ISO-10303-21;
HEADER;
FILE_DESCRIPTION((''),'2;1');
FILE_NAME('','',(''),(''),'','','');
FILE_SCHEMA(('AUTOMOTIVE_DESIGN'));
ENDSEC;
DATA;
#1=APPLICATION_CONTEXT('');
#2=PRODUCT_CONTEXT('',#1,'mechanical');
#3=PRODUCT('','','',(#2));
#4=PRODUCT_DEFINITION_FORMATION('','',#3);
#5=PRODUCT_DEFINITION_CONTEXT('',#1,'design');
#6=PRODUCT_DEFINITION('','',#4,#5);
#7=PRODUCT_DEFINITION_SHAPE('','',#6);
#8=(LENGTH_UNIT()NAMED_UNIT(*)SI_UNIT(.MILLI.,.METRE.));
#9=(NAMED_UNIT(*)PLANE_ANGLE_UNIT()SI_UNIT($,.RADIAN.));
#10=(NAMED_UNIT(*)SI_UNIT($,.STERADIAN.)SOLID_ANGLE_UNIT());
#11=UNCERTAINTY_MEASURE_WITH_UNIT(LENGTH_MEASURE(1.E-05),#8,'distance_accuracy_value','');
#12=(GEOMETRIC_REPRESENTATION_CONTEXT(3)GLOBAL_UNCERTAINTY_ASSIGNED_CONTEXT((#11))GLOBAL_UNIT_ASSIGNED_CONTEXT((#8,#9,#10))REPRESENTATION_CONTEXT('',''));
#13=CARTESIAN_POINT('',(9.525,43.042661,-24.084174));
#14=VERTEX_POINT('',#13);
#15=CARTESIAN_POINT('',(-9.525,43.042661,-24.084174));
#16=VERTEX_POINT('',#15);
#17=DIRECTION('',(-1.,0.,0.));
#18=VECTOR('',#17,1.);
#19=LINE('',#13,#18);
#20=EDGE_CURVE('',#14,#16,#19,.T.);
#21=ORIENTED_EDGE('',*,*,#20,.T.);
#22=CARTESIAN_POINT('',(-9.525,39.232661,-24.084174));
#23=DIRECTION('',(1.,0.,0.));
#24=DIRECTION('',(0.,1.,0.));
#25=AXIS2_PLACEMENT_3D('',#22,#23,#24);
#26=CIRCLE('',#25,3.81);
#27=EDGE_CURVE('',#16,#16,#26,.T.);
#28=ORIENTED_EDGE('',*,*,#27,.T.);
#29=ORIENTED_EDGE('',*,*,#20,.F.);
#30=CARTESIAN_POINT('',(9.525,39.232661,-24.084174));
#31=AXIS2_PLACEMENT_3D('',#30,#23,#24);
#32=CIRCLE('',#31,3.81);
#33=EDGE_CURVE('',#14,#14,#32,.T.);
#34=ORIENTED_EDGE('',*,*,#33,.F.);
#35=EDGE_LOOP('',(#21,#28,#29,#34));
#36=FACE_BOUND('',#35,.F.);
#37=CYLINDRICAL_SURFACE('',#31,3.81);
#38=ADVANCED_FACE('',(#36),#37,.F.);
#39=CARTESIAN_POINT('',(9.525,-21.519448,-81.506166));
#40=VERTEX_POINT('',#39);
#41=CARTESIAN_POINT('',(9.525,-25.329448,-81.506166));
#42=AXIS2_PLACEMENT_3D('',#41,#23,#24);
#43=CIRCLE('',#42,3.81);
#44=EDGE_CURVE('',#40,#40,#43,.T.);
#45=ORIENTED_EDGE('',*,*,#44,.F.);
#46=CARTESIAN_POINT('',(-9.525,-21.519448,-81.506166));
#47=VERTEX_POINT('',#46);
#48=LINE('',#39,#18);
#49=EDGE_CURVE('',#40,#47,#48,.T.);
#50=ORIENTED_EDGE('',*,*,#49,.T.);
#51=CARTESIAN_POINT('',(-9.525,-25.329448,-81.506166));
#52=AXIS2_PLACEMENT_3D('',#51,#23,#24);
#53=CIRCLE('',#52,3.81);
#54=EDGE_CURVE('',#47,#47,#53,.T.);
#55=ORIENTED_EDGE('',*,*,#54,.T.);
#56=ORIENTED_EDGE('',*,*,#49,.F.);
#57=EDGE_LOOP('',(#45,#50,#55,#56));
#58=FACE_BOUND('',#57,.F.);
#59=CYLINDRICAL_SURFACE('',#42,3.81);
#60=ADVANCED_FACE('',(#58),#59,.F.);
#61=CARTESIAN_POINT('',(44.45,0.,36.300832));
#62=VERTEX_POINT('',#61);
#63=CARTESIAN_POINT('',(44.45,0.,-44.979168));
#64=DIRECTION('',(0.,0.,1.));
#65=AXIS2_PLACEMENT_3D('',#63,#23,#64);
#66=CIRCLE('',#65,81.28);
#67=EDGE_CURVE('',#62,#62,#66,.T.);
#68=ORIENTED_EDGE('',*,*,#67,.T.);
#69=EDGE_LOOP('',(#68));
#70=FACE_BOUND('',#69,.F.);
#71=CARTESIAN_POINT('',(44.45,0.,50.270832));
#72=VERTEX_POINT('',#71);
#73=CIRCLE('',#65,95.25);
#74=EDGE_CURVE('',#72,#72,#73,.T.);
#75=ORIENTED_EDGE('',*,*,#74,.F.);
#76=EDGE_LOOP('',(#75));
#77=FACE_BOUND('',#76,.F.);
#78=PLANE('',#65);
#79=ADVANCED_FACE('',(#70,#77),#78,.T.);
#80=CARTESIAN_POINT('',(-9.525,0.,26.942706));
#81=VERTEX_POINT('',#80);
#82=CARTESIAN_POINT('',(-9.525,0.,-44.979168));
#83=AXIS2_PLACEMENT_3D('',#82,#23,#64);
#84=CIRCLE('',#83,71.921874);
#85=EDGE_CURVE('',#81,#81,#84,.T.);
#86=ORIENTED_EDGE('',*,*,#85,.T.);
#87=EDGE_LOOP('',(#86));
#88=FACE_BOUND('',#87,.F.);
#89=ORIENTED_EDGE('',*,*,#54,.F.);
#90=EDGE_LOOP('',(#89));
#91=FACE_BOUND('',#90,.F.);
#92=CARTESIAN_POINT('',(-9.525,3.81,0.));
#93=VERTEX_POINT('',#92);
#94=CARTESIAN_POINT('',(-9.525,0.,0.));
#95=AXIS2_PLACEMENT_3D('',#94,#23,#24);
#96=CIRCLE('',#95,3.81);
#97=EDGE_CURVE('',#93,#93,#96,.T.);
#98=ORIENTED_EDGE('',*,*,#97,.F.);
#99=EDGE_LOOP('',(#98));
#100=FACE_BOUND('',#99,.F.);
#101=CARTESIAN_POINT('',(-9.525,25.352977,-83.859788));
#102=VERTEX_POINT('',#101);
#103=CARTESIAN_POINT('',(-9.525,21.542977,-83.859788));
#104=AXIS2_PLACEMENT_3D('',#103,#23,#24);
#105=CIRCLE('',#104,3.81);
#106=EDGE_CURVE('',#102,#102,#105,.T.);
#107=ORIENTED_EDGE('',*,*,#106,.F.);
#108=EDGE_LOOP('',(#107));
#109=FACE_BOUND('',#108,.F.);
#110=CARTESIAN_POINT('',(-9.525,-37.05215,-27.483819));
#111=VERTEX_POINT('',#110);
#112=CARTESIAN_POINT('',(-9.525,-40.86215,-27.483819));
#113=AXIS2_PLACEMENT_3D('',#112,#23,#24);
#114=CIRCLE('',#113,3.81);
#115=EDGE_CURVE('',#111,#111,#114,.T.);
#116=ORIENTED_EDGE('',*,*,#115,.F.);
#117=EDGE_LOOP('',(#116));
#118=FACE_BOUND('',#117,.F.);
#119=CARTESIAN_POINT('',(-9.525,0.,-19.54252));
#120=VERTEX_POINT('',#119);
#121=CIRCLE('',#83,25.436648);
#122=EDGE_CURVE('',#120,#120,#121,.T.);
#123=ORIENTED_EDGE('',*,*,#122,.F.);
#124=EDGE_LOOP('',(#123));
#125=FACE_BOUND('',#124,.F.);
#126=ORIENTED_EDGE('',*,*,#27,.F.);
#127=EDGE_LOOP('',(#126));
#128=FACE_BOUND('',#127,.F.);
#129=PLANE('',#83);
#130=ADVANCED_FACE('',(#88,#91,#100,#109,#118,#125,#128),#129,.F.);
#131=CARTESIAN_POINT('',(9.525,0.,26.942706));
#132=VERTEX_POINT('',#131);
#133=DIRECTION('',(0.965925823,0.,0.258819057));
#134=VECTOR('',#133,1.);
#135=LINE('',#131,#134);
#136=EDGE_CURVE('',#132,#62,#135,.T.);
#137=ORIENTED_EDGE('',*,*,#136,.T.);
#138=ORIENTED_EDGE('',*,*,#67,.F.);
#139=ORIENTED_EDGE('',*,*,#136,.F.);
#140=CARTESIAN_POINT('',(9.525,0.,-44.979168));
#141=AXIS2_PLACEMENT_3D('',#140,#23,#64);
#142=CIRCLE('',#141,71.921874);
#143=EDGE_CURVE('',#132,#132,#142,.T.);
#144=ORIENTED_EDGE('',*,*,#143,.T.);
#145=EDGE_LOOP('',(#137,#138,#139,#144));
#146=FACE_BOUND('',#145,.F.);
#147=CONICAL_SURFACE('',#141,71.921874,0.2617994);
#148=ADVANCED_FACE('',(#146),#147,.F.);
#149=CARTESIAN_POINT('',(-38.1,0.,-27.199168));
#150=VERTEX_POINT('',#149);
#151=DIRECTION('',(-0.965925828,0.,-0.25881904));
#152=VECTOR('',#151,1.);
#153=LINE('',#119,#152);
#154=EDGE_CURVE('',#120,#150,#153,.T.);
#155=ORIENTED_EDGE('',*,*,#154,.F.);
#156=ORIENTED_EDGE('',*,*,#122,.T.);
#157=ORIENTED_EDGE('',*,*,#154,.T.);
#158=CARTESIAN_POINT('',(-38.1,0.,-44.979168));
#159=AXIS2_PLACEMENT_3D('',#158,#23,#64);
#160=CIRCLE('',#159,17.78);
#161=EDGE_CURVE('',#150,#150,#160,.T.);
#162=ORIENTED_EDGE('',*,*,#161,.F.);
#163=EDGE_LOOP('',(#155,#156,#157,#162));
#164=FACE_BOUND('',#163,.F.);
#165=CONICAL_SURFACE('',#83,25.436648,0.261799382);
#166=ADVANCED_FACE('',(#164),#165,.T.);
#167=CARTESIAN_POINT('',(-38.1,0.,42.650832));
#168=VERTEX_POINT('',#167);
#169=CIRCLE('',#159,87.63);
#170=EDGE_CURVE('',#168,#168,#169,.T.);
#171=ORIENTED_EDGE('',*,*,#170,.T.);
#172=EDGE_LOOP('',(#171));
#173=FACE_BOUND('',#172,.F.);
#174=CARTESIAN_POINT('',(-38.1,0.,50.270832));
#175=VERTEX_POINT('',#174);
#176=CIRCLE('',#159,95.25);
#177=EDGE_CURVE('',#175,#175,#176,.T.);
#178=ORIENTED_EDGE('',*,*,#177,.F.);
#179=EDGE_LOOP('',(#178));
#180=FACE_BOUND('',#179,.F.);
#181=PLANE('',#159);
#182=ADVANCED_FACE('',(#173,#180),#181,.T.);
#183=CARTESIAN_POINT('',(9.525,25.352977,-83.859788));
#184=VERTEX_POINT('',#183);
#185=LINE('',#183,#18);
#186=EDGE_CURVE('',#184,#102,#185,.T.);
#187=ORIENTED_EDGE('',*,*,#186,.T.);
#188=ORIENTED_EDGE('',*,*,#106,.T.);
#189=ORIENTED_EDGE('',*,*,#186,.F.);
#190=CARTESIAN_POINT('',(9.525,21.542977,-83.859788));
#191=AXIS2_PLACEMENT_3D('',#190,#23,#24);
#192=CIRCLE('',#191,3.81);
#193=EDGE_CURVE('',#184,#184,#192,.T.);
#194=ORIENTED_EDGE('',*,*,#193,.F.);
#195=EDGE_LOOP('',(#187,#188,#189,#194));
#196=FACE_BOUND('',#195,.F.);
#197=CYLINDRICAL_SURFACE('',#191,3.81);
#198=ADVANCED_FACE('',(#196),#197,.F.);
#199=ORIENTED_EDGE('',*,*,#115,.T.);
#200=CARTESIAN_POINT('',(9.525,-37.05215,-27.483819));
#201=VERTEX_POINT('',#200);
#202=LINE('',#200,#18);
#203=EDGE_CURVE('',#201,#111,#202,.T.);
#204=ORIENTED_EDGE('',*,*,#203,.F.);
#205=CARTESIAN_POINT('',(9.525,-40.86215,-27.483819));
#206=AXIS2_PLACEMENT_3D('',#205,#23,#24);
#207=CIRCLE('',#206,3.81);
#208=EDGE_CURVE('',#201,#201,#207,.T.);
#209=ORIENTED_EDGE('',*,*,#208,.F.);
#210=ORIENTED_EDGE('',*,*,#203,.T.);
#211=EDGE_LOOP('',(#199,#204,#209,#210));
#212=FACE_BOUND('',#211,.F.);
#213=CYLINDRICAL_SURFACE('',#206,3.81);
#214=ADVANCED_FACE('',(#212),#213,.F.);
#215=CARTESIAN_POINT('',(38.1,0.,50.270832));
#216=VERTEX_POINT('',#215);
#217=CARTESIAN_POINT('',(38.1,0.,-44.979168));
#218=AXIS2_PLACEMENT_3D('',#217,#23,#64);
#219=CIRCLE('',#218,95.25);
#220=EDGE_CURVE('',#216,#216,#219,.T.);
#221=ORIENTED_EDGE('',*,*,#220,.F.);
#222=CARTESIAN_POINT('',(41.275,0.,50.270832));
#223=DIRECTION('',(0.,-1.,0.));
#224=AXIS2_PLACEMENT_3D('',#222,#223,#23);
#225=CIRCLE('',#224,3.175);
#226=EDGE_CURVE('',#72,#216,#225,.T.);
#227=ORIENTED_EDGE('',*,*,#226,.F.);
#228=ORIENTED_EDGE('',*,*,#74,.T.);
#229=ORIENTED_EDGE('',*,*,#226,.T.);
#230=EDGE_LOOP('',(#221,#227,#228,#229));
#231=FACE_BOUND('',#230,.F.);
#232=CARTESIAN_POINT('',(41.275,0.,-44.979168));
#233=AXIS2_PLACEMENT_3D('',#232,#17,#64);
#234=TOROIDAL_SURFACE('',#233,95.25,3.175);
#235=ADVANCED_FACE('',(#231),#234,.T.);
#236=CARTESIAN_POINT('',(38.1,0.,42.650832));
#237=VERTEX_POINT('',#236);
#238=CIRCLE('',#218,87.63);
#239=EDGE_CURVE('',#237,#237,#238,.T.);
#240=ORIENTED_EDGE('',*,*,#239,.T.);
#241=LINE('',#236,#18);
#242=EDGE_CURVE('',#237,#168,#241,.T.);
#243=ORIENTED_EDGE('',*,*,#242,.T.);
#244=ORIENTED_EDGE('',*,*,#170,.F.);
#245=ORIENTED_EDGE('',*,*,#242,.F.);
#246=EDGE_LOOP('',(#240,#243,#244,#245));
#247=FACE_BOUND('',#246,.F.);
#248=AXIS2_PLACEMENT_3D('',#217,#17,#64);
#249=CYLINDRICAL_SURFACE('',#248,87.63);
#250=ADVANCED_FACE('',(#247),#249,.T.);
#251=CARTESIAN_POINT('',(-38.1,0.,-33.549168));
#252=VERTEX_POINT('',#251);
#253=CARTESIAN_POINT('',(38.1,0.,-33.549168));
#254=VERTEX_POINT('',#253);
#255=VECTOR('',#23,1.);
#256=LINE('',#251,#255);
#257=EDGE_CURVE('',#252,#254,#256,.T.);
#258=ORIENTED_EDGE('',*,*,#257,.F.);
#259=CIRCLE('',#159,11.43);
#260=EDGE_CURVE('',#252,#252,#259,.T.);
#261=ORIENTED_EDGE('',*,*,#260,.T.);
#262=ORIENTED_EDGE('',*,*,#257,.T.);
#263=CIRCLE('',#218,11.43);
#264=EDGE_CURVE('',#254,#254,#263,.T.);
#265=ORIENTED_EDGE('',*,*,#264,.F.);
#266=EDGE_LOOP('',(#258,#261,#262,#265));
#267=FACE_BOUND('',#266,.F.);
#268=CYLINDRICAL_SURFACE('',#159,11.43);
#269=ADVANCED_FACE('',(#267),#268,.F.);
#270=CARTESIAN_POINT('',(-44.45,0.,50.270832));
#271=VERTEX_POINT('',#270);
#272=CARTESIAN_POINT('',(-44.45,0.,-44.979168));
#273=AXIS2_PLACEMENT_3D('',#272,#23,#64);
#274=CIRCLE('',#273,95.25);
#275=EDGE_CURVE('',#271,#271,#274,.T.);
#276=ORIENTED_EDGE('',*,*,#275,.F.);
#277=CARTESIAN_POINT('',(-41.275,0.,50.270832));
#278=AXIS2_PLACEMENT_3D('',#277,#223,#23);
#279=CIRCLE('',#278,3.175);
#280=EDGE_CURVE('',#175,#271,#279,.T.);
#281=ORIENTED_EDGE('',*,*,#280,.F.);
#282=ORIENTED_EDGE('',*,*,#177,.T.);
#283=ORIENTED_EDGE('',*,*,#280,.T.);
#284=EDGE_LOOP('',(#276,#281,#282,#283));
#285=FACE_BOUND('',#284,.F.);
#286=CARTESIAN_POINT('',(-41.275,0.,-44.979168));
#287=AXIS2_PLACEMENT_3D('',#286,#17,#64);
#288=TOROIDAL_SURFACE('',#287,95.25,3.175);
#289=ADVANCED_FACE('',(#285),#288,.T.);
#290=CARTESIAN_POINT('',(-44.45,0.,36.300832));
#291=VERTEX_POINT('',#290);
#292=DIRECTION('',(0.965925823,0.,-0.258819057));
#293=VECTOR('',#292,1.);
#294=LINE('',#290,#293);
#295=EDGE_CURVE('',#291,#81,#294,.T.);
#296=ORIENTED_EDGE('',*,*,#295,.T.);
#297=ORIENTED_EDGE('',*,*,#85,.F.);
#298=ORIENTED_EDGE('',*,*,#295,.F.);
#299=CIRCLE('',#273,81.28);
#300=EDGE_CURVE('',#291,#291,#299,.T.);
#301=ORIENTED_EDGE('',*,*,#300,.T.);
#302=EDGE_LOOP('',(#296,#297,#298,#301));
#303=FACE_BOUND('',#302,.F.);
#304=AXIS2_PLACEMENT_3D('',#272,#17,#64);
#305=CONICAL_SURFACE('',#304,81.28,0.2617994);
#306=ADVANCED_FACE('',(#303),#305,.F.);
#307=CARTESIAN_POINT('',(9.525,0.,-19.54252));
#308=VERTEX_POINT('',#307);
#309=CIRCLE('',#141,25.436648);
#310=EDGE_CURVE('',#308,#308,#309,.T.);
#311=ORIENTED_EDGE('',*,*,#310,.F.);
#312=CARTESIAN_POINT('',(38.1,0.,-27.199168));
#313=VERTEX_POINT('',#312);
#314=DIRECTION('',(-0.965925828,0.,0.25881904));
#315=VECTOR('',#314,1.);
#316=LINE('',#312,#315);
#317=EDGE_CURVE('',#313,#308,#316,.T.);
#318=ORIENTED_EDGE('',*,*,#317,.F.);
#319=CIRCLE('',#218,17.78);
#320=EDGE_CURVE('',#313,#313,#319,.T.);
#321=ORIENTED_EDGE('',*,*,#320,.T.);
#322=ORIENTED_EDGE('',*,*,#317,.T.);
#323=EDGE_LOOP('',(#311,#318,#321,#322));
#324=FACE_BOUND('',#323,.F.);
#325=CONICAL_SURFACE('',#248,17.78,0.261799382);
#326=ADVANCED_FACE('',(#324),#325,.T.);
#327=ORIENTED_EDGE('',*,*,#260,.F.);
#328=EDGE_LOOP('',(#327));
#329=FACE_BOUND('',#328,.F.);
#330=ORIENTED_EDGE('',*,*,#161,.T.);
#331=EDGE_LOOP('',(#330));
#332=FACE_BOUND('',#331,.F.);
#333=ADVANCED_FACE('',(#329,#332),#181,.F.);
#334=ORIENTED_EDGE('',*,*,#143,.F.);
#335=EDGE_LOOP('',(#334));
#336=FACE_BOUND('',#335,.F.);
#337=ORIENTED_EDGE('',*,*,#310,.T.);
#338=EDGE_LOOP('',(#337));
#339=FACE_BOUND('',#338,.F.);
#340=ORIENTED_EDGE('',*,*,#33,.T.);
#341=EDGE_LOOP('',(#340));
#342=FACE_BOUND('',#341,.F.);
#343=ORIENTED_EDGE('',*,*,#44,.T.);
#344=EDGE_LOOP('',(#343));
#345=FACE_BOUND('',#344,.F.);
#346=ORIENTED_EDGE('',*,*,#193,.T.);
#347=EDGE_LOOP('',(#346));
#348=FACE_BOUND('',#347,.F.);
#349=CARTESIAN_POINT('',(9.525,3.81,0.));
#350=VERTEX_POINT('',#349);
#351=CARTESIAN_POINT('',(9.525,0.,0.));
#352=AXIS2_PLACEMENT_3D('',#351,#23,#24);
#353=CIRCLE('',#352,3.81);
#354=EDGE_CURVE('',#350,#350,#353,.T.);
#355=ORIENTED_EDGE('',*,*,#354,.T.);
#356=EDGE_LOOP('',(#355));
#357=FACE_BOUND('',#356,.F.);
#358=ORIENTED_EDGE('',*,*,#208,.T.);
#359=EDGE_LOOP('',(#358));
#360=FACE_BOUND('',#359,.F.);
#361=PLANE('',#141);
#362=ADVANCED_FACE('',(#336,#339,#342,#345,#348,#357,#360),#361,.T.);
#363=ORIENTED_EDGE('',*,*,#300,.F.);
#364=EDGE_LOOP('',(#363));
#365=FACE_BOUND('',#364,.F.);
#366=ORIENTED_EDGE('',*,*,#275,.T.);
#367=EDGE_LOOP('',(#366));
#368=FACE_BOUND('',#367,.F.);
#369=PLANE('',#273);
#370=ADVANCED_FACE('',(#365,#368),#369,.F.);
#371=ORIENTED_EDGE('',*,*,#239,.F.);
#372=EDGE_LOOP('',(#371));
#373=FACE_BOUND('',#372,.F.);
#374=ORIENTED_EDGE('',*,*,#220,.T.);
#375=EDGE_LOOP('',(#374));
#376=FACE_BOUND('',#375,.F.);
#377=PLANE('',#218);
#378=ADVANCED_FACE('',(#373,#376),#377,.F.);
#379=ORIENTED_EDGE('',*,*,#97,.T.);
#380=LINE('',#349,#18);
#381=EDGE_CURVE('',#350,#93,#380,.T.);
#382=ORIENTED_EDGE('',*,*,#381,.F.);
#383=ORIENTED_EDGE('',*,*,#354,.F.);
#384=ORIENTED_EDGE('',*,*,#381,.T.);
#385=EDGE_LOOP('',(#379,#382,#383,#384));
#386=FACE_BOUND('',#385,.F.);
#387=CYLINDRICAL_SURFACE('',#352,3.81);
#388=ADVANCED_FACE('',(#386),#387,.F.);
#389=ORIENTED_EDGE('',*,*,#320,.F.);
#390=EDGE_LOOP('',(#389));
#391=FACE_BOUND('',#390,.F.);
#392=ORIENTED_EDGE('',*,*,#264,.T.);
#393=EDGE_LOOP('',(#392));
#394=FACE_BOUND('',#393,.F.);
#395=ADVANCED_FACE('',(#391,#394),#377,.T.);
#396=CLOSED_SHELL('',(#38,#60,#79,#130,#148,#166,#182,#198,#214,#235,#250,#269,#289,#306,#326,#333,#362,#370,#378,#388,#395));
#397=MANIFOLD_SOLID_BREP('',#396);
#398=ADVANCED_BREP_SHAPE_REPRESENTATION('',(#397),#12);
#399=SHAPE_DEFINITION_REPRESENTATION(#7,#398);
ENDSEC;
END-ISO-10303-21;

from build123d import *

# Parameters (mm, degrees)
F2_R     = 3.81
F3_DEPTH = 53.976


with BuildPart() as f1:
    # F0 (on Front) → F1 (revolve)
    with BuildSketch(Plane.XZ):
        with BuildLine():
            Line((-38.1, -27.199168), (-38.1, -33.549168))
            Line((-38.1, -33.549168), (0, -33.549168))
            Line((0, -33.549168), (38.1, -33.549168))
            Line((38.1, -33.549168), (38.1, -27.199168))
            Line((38.1, -27.199168), (9.525, -19.54252))
            Line((9.525, -19.54252), (9.525, 26.942706))
            Line((9.525, 26.942706), (44.45, 36.300832))
            Line((44.45, 36.300832), (44.45, 50.270832))
            ThreePointArc((44.45, 50.270832), (41.275, 53.445832), (38.1, 50.270832))
            Line((38.1, 50.270832), (38.1, 42.650832))
            Line((38.1, 42.650832), (0, 42.650832))
            Line((0, 42.650832), (-38.1, 42.650832))
            Line((-38.1, 42.650832), (-38.1, 50.270832))
            ThreePointArc((-38.1, 50.270832), (-41.275, 53.445832), (-44.45, 50.270832))
            Line((-44.45, 50.270832), (-44.45, 36.300832))
            Line((-44.45, 36.300832), (-9.525, 26.942706))
            Line((-9.525, 26.942706), (-9.525, -19.54252))
            Line((-9.525, -19.54252), (-38.1, -27.199168))
        make_face()
    revolve(axis=Axis((-0.304803, 0, -44.979168), (1, 0, 0)))

    # F2 (on face) → F3 (cut, through all)
    with BuildSketch(Plane.YZ.offset(9.525)):
        Circle(F2_R)
        with Locations((39.232661, -24.084174)):
            Circle(F2_R)
        with Locations((-40.86215, -27.483819)):
            Circle(F2_R)
        with Locations((-25.329448, -81.506166)):
            Circle(F2_R)
        with Locations((21.542977, -83.859788)):
            Circle(F2_R)
    extrude(amount=-F3_DEPTH, mode=Mode.SUBTRACT)


solid = f1.part
